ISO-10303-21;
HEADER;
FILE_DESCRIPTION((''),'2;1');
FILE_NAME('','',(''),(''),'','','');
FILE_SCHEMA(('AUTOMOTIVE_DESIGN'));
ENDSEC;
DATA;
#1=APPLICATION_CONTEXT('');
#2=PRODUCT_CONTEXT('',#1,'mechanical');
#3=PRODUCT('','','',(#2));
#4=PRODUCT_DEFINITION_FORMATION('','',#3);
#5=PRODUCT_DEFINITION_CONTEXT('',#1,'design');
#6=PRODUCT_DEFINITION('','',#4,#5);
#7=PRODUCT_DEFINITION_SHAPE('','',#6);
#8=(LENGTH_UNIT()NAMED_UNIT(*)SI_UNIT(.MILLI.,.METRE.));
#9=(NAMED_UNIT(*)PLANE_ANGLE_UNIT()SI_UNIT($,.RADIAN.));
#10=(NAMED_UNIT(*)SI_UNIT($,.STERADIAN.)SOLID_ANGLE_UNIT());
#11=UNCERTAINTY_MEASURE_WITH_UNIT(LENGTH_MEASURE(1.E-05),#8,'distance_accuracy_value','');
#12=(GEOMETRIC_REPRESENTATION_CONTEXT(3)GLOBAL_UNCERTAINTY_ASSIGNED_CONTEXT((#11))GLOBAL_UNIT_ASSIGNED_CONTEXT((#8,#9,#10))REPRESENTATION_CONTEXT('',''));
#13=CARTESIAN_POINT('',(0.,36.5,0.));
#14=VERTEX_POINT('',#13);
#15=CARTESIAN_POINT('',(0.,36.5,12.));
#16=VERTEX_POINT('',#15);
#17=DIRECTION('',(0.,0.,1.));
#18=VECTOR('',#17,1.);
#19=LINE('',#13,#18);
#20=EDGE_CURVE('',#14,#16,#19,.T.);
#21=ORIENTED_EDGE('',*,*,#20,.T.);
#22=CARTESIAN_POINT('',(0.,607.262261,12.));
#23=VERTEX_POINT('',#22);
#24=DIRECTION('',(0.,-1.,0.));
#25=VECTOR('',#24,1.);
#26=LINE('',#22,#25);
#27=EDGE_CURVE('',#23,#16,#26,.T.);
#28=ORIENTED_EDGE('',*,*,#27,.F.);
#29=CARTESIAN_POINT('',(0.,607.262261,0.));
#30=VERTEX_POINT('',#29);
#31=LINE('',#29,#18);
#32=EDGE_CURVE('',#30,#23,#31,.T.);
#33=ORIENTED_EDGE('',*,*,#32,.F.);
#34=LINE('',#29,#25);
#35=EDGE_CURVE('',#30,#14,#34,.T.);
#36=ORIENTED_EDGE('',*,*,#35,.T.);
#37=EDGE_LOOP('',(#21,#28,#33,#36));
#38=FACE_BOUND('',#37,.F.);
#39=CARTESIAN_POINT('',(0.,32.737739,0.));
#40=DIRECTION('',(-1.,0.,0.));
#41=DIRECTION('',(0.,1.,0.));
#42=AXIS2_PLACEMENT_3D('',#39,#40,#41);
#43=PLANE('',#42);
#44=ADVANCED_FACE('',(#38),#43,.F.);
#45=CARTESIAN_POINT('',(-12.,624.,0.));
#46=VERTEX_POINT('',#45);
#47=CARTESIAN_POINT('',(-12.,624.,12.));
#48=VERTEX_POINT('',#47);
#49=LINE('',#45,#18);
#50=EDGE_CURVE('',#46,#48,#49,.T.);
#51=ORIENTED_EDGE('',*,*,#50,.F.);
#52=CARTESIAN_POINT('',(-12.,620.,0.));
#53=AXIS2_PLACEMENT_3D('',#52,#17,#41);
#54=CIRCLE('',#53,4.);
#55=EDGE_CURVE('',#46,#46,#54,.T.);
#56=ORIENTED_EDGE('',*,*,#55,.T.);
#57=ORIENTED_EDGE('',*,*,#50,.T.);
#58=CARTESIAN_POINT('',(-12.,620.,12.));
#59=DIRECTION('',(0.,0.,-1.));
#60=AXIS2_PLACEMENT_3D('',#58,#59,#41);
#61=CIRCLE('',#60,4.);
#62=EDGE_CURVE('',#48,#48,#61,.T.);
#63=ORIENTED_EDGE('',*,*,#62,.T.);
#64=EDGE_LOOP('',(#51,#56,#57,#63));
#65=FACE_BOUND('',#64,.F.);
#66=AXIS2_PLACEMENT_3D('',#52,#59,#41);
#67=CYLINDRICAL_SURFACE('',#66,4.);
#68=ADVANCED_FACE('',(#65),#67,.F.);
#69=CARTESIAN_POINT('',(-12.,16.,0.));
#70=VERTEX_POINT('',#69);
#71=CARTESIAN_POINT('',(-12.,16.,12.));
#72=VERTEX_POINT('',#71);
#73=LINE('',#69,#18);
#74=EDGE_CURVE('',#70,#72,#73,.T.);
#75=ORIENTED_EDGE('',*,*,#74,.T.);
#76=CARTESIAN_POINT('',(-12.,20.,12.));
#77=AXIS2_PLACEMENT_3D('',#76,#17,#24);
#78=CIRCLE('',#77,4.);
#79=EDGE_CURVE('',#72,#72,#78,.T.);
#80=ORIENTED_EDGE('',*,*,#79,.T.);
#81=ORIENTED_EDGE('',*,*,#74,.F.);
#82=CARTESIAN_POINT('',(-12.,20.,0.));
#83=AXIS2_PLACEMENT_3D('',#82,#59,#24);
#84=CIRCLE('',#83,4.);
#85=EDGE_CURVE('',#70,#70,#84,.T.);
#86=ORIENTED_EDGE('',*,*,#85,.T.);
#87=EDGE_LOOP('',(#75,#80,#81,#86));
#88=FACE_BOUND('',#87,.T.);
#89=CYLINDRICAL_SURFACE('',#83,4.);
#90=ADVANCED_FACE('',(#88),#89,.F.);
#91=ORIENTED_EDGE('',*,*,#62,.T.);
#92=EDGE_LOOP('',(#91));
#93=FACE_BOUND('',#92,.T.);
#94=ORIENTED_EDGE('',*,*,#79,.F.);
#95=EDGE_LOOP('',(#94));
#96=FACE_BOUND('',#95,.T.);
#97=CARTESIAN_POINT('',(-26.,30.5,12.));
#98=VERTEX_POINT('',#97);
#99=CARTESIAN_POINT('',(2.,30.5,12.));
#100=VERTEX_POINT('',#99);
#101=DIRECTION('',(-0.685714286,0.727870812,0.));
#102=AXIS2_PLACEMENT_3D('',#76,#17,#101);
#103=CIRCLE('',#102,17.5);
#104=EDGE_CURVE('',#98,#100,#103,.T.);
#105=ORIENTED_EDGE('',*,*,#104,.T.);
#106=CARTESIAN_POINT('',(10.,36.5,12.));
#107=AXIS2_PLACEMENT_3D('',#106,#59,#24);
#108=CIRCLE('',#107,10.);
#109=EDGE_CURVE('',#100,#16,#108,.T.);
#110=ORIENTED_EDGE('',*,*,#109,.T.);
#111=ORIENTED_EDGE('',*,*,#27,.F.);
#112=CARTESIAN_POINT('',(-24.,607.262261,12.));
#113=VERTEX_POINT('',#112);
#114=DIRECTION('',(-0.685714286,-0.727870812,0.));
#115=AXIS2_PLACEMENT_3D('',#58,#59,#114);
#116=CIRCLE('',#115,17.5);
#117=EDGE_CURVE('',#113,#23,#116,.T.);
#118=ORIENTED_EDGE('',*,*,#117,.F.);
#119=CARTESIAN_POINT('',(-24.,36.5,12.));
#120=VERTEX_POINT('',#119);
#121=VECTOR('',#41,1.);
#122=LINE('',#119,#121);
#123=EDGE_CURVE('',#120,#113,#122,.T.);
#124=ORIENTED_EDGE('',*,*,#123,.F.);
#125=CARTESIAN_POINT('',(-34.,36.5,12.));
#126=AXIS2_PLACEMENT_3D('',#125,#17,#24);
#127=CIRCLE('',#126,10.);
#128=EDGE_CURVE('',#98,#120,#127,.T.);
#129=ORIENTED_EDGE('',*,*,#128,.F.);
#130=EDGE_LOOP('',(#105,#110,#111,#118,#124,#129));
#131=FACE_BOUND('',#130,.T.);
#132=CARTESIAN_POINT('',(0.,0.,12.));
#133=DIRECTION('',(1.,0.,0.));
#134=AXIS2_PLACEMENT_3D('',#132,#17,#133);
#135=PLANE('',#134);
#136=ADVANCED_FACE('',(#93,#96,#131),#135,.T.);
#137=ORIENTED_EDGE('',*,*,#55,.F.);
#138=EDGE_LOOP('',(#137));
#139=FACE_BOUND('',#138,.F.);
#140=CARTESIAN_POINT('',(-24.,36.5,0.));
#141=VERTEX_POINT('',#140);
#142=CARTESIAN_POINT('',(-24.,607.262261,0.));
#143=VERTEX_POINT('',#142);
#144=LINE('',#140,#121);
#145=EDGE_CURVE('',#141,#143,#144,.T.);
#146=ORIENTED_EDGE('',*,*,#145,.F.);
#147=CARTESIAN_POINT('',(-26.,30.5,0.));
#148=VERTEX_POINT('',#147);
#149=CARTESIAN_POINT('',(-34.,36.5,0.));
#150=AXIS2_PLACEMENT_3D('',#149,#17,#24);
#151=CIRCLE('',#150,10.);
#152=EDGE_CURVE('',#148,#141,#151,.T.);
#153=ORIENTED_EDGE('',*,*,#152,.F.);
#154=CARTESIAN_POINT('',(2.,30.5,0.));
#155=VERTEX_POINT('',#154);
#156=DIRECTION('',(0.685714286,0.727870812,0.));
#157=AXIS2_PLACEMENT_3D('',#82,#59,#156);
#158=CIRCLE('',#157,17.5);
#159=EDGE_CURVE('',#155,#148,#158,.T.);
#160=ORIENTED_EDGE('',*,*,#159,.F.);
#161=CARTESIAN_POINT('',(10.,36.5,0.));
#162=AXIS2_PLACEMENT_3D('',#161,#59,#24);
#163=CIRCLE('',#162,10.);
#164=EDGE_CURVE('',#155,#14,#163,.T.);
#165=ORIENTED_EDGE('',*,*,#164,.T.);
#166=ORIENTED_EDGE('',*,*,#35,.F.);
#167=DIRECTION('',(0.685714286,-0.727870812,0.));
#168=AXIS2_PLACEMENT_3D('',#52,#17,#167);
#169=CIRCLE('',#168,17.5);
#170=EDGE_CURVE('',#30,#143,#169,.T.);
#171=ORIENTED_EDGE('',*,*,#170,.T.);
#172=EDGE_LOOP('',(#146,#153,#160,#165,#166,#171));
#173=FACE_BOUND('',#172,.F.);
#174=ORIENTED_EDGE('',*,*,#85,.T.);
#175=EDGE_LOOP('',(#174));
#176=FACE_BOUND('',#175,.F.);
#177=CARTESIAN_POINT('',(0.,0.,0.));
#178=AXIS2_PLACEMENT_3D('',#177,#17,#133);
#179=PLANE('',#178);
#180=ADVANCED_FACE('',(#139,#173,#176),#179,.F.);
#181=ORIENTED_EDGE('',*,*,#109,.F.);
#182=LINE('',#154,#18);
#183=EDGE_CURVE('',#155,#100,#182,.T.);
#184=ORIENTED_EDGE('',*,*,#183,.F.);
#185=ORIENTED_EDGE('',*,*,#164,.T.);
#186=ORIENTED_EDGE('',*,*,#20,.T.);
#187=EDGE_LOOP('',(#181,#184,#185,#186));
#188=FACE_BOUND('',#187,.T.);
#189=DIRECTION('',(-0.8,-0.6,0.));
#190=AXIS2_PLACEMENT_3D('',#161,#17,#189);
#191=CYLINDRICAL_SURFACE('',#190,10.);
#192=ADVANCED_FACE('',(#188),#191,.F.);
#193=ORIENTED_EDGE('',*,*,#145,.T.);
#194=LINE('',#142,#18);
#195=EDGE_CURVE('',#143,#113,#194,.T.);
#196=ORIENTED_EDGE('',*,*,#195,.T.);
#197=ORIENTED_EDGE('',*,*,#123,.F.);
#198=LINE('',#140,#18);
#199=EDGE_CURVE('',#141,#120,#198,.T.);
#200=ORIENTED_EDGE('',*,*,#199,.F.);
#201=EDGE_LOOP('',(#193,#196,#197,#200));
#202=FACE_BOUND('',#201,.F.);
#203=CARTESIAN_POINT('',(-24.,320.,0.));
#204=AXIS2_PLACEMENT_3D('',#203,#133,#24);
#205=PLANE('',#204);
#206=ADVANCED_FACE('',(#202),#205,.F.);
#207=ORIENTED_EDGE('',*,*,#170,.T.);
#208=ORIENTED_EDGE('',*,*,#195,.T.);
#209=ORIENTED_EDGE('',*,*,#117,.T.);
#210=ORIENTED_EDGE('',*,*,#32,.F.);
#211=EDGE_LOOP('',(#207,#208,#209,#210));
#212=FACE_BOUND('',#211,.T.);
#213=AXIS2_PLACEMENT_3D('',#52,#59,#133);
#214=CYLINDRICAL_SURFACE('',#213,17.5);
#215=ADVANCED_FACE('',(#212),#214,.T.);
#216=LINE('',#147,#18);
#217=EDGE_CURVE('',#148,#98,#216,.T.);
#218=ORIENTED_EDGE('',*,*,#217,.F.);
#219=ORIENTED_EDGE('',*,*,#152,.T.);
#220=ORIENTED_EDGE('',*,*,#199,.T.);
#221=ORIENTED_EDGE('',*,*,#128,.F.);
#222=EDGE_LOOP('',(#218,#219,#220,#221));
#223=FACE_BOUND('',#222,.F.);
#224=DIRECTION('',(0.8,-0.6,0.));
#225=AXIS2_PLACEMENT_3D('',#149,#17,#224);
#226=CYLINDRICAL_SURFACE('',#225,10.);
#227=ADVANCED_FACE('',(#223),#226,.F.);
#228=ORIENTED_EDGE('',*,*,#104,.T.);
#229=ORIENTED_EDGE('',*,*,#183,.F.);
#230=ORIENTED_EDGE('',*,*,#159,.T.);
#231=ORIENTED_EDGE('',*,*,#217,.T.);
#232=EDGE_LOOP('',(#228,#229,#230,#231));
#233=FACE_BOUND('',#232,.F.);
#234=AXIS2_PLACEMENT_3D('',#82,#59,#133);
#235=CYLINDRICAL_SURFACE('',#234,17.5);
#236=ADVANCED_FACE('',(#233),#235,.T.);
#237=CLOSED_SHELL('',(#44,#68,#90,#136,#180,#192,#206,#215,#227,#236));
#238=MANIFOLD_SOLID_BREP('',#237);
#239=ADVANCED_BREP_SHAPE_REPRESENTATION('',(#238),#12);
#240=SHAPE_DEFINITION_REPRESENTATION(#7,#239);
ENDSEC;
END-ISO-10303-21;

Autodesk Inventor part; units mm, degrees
ref_plane "YZ Plane" through (0, 0, 0) normal (1, 0, 0) x (0, 1, 0)
ref_plane "XZ Plane" through (0, 0, 0) normal (0, 1, 0) x (-1, 0, 0)
ref_plane "XY Plane" through (0, 0, 0) normal (0, 0, 1) x (1, 0, 0)
ref_plane "Work Plane1" through (0, 0, 0) normal (0, 0, 1) x (1, 0, 0)
sketch "Sketch1" plane through (0, 0, 0) normal (0, 0, 1) x (1, 0, 0)
  arc A0 (-12, 16) -> (-12, 24) centre (-12, 20) ccw projected
  line L0 (-12, 3) -> (-12, 16) projected
  line L1 (0, 3) -> (-12, 3) projected
  line L2 (0, 3) -> (0, 30) projected
  line L3 (-12, 30) -> (0, 30) projected
  line L4 (-12, 24) -> (-12, 30) projected
  circle A1 centre (-12, 20) radius 4
  circle A2 centre (-12, 20) radius 17.5
  line L5 (-12, 20) -> (0, 20)
  line L6 (0, 20) -> (0, 320)
  line L7 (0, 320) -> (-12, 320)
  line L8 (-12, 320) -> (-12, 20)
  line L9 (-12, 320) -> (-24, 320)
  line L10 (-24, 320) -> (-24, 20)
  line L11 (-24, 20) -> (-12, 20)
  line L12 (-12, 20) -> (-12, 320)
  point P0 (0, 0)
  point P1 (0, 32.7377)
  point P2 (-24, 32.7377)
  dimension "d0" = 35
  dimension "d1" = 300
  dimension "d2" = 12
extrude "Extrusion1" add sketch "Sketch1" along normal blind 12 contours A0 L5 L2 A2 L1 L0 | L0 L1 A2 L10 L11 A1 | A0 L4 L3 L2 L5 | L11 L10 A2 L8 L4 A1 | L2 L6 A2 | L8 A2 L6 L3 | L10 L9 L8 A2 | L8 L7 L6 A2
fillet "Fillet1" radius 10 2 edges at (-24, 32.7377, 6) (0, 32.7377, 6)
mirror "Mirror1" about plane through (0, 320, 0) normal (0, 1, 0) of "Extrusion1"
properties part number "arm"
